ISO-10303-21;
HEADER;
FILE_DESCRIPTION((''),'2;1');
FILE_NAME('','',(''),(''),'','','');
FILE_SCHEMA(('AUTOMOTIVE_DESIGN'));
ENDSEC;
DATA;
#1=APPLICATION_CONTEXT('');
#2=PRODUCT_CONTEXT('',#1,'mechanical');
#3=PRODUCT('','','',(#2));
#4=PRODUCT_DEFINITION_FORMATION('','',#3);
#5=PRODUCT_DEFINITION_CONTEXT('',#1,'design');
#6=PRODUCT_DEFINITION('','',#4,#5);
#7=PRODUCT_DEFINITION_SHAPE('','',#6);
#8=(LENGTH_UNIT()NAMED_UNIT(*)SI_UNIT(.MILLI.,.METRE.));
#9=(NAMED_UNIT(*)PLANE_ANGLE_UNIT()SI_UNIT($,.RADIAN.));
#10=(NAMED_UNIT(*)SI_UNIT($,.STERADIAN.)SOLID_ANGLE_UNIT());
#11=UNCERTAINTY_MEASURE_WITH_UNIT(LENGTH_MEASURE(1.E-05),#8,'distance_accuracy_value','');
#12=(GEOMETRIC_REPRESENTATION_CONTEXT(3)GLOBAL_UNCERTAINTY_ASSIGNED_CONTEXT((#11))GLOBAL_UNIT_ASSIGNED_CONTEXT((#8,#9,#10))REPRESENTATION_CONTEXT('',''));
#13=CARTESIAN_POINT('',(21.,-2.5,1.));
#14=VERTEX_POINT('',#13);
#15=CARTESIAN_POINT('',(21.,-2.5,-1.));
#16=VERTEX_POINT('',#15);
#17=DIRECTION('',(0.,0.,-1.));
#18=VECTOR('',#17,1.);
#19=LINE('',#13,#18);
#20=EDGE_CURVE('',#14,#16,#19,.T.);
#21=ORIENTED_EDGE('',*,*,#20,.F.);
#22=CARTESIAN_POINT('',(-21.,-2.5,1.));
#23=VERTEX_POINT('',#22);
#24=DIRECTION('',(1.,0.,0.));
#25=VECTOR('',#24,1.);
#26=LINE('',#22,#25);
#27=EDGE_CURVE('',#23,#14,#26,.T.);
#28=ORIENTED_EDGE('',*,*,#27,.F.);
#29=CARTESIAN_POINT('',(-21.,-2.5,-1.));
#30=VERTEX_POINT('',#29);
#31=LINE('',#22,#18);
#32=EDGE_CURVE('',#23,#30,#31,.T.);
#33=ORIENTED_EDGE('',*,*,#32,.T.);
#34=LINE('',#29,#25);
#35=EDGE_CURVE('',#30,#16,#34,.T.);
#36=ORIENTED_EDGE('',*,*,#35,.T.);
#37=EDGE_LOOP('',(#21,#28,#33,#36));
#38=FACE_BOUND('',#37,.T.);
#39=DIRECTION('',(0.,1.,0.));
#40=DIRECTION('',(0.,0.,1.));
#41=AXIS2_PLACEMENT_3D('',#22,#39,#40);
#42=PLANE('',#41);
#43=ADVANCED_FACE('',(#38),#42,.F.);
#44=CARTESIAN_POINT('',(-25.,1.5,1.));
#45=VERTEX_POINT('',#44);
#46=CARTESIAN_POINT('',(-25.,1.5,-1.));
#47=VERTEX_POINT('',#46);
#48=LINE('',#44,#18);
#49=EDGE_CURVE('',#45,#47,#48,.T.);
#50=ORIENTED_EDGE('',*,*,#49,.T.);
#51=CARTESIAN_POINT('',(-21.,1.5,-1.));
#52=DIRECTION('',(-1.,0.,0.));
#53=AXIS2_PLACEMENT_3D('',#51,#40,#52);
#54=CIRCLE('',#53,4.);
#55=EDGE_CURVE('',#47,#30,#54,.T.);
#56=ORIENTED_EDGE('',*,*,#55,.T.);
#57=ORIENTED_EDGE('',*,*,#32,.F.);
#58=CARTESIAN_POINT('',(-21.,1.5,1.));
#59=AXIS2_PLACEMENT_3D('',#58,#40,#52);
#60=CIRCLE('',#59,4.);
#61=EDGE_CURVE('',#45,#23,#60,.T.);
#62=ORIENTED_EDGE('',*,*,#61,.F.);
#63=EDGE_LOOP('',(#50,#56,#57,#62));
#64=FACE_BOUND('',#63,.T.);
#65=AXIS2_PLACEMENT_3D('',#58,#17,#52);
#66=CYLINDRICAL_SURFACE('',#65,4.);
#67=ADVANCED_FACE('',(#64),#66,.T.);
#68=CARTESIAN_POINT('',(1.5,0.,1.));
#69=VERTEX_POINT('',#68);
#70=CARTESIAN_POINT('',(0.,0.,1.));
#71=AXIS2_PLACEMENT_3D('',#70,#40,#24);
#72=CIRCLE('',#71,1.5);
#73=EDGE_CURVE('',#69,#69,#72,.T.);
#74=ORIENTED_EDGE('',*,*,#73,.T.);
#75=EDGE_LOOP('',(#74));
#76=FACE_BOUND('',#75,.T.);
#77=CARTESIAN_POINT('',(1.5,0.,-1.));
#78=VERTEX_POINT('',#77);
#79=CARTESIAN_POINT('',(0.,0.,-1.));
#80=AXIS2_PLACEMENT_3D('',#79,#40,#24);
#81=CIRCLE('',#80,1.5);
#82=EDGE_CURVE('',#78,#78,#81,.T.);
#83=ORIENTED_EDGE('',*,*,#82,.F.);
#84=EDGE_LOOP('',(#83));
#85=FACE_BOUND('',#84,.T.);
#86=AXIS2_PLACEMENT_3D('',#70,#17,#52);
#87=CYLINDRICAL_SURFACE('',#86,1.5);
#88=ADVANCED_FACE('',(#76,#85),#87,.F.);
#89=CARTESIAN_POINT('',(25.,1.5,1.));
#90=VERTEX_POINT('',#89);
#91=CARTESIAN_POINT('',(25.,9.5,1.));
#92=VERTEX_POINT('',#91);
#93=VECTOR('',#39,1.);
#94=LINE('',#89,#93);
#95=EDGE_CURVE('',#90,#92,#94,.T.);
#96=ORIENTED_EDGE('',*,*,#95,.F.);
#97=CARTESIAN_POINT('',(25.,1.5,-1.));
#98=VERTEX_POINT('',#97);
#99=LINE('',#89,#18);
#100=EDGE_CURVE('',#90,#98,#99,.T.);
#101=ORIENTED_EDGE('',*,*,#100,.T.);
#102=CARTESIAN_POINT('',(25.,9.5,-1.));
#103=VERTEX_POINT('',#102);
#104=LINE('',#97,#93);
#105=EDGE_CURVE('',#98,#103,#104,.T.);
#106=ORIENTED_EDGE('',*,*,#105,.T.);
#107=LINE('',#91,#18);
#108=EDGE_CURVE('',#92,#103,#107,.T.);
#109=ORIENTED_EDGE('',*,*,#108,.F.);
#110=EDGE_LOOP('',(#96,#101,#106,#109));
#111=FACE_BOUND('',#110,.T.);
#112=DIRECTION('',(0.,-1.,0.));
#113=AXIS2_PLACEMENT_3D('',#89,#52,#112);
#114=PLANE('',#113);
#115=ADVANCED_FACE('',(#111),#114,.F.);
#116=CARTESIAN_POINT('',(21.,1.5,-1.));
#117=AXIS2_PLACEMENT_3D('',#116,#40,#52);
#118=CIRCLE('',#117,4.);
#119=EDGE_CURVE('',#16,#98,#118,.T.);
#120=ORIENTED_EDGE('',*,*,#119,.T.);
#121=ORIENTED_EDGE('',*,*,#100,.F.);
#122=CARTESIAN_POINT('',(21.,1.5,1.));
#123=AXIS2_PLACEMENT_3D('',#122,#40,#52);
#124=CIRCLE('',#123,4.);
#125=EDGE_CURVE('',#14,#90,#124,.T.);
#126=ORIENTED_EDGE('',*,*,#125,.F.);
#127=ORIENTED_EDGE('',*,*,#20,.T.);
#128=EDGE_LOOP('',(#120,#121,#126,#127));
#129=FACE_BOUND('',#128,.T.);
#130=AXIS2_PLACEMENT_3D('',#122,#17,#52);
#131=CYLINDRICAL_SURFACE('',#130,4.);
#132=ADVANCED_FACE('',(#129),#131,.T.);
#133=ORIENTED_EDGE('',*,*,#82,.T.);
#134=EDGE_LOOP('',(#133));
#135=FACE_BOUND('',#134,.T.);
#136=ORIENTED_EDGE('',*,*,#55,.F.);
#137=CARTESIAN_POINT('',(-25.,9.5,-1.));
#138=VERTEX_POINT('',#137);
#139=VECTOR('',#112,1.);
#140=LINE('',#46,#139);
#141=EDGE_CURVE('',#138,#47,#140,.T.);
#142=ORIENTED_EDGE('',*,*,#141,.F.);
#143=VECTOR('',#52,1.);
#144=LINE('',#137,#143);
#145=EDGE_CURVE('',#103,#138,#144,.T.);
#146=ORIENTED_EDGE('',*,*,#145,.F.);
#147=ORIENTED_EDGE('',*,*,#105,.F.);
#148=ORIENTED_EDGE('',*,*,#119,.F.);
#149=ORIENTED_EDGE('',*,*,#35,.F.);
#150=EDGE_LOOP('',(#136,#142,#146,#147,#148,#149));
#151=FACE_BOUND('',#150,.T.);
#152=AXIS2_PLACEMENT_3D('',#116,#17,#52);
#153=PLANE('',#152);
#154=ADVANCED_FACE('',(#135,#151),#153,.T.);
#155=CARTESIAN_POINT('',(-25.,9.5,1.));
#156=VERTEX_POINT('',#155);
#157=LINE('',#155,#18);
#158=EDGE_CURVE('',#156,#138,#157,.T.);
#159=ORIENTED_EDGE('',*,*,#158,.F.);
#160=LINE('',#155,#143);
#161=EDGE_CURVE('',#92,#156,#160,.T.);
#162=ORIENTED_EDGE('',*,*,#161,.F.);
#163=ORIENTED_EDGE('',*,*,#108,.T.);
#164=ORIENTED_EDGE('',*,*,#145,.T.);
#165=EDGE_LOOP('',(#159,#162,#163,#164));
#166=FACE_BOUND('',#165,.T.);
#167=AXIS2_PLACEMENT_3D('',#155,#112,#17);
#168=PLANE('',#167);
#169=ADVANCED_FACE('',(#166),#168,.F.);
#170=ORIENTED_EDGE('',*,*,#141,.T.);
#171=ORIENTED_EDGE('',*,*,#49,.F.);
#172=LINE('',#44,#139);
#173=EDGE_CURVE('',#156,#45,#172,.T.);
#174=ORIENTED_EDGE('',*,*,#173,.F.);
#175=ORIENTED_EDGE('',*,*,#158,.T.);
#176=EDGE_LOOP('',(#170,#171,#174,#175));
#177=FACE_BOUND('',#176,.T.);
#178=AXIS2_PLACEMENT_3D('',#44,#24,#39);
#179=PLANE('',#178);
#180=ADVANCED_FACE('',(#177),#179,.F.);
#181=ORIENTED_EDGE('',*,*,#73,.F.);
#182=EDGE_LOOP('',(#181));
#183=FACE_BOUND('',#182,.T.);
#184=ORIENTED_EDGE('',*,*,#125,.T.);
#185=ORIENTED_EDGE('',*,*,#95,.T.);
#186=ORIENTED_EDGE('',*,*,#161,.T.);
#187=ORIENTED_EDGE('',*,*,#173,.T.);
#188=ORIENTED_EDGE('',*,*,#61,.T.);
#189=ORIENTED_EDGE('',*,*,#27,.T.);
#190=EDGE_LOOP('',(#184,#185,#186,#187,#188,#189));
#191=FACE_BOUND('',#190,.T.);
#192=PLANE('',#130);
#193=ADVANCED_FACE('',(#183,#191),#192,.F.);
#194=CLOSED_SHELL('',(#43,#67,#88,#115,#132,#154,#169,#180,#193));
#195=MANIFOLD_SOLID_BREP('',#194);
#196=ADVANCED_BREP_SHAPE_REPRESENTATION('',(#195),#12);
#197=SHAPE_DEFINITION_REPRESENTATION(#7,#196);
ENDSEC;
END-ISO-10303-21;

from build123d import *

# Parameters (mm, degrees)
SKETCH1_R           = 1.5
BOSS_EXTRUDE1_DEPTH = 1


with BuildPart() as part:
    # Sketch1 → Boss-Extrude1 (new, symmetric)
    with BuildSketch(Plane.XY):
        with BuildLine():
            Line((-21, -2.5), (21, -2.5))
            ThreePointArc((21, -2.5), (23.828427125, -1.328427125), (25, 1.5))
            Line((25, 1.5), (25, 9.5))
            Line((25, 9.5), (-25, 9.5))
            Line((-25, 9.5), (-25, 1.5))
            ThreePointArc((-25, 1.5), (-23.828427125, -1.328427125), (-21, -2.5))
        make_face()
        Circle(SKETCH1_R, mode=Mode.SUBTRACT)
    extrude(amount=BOSS_EXTRUDE1_DEPTH, both=True)


solid = part.part
